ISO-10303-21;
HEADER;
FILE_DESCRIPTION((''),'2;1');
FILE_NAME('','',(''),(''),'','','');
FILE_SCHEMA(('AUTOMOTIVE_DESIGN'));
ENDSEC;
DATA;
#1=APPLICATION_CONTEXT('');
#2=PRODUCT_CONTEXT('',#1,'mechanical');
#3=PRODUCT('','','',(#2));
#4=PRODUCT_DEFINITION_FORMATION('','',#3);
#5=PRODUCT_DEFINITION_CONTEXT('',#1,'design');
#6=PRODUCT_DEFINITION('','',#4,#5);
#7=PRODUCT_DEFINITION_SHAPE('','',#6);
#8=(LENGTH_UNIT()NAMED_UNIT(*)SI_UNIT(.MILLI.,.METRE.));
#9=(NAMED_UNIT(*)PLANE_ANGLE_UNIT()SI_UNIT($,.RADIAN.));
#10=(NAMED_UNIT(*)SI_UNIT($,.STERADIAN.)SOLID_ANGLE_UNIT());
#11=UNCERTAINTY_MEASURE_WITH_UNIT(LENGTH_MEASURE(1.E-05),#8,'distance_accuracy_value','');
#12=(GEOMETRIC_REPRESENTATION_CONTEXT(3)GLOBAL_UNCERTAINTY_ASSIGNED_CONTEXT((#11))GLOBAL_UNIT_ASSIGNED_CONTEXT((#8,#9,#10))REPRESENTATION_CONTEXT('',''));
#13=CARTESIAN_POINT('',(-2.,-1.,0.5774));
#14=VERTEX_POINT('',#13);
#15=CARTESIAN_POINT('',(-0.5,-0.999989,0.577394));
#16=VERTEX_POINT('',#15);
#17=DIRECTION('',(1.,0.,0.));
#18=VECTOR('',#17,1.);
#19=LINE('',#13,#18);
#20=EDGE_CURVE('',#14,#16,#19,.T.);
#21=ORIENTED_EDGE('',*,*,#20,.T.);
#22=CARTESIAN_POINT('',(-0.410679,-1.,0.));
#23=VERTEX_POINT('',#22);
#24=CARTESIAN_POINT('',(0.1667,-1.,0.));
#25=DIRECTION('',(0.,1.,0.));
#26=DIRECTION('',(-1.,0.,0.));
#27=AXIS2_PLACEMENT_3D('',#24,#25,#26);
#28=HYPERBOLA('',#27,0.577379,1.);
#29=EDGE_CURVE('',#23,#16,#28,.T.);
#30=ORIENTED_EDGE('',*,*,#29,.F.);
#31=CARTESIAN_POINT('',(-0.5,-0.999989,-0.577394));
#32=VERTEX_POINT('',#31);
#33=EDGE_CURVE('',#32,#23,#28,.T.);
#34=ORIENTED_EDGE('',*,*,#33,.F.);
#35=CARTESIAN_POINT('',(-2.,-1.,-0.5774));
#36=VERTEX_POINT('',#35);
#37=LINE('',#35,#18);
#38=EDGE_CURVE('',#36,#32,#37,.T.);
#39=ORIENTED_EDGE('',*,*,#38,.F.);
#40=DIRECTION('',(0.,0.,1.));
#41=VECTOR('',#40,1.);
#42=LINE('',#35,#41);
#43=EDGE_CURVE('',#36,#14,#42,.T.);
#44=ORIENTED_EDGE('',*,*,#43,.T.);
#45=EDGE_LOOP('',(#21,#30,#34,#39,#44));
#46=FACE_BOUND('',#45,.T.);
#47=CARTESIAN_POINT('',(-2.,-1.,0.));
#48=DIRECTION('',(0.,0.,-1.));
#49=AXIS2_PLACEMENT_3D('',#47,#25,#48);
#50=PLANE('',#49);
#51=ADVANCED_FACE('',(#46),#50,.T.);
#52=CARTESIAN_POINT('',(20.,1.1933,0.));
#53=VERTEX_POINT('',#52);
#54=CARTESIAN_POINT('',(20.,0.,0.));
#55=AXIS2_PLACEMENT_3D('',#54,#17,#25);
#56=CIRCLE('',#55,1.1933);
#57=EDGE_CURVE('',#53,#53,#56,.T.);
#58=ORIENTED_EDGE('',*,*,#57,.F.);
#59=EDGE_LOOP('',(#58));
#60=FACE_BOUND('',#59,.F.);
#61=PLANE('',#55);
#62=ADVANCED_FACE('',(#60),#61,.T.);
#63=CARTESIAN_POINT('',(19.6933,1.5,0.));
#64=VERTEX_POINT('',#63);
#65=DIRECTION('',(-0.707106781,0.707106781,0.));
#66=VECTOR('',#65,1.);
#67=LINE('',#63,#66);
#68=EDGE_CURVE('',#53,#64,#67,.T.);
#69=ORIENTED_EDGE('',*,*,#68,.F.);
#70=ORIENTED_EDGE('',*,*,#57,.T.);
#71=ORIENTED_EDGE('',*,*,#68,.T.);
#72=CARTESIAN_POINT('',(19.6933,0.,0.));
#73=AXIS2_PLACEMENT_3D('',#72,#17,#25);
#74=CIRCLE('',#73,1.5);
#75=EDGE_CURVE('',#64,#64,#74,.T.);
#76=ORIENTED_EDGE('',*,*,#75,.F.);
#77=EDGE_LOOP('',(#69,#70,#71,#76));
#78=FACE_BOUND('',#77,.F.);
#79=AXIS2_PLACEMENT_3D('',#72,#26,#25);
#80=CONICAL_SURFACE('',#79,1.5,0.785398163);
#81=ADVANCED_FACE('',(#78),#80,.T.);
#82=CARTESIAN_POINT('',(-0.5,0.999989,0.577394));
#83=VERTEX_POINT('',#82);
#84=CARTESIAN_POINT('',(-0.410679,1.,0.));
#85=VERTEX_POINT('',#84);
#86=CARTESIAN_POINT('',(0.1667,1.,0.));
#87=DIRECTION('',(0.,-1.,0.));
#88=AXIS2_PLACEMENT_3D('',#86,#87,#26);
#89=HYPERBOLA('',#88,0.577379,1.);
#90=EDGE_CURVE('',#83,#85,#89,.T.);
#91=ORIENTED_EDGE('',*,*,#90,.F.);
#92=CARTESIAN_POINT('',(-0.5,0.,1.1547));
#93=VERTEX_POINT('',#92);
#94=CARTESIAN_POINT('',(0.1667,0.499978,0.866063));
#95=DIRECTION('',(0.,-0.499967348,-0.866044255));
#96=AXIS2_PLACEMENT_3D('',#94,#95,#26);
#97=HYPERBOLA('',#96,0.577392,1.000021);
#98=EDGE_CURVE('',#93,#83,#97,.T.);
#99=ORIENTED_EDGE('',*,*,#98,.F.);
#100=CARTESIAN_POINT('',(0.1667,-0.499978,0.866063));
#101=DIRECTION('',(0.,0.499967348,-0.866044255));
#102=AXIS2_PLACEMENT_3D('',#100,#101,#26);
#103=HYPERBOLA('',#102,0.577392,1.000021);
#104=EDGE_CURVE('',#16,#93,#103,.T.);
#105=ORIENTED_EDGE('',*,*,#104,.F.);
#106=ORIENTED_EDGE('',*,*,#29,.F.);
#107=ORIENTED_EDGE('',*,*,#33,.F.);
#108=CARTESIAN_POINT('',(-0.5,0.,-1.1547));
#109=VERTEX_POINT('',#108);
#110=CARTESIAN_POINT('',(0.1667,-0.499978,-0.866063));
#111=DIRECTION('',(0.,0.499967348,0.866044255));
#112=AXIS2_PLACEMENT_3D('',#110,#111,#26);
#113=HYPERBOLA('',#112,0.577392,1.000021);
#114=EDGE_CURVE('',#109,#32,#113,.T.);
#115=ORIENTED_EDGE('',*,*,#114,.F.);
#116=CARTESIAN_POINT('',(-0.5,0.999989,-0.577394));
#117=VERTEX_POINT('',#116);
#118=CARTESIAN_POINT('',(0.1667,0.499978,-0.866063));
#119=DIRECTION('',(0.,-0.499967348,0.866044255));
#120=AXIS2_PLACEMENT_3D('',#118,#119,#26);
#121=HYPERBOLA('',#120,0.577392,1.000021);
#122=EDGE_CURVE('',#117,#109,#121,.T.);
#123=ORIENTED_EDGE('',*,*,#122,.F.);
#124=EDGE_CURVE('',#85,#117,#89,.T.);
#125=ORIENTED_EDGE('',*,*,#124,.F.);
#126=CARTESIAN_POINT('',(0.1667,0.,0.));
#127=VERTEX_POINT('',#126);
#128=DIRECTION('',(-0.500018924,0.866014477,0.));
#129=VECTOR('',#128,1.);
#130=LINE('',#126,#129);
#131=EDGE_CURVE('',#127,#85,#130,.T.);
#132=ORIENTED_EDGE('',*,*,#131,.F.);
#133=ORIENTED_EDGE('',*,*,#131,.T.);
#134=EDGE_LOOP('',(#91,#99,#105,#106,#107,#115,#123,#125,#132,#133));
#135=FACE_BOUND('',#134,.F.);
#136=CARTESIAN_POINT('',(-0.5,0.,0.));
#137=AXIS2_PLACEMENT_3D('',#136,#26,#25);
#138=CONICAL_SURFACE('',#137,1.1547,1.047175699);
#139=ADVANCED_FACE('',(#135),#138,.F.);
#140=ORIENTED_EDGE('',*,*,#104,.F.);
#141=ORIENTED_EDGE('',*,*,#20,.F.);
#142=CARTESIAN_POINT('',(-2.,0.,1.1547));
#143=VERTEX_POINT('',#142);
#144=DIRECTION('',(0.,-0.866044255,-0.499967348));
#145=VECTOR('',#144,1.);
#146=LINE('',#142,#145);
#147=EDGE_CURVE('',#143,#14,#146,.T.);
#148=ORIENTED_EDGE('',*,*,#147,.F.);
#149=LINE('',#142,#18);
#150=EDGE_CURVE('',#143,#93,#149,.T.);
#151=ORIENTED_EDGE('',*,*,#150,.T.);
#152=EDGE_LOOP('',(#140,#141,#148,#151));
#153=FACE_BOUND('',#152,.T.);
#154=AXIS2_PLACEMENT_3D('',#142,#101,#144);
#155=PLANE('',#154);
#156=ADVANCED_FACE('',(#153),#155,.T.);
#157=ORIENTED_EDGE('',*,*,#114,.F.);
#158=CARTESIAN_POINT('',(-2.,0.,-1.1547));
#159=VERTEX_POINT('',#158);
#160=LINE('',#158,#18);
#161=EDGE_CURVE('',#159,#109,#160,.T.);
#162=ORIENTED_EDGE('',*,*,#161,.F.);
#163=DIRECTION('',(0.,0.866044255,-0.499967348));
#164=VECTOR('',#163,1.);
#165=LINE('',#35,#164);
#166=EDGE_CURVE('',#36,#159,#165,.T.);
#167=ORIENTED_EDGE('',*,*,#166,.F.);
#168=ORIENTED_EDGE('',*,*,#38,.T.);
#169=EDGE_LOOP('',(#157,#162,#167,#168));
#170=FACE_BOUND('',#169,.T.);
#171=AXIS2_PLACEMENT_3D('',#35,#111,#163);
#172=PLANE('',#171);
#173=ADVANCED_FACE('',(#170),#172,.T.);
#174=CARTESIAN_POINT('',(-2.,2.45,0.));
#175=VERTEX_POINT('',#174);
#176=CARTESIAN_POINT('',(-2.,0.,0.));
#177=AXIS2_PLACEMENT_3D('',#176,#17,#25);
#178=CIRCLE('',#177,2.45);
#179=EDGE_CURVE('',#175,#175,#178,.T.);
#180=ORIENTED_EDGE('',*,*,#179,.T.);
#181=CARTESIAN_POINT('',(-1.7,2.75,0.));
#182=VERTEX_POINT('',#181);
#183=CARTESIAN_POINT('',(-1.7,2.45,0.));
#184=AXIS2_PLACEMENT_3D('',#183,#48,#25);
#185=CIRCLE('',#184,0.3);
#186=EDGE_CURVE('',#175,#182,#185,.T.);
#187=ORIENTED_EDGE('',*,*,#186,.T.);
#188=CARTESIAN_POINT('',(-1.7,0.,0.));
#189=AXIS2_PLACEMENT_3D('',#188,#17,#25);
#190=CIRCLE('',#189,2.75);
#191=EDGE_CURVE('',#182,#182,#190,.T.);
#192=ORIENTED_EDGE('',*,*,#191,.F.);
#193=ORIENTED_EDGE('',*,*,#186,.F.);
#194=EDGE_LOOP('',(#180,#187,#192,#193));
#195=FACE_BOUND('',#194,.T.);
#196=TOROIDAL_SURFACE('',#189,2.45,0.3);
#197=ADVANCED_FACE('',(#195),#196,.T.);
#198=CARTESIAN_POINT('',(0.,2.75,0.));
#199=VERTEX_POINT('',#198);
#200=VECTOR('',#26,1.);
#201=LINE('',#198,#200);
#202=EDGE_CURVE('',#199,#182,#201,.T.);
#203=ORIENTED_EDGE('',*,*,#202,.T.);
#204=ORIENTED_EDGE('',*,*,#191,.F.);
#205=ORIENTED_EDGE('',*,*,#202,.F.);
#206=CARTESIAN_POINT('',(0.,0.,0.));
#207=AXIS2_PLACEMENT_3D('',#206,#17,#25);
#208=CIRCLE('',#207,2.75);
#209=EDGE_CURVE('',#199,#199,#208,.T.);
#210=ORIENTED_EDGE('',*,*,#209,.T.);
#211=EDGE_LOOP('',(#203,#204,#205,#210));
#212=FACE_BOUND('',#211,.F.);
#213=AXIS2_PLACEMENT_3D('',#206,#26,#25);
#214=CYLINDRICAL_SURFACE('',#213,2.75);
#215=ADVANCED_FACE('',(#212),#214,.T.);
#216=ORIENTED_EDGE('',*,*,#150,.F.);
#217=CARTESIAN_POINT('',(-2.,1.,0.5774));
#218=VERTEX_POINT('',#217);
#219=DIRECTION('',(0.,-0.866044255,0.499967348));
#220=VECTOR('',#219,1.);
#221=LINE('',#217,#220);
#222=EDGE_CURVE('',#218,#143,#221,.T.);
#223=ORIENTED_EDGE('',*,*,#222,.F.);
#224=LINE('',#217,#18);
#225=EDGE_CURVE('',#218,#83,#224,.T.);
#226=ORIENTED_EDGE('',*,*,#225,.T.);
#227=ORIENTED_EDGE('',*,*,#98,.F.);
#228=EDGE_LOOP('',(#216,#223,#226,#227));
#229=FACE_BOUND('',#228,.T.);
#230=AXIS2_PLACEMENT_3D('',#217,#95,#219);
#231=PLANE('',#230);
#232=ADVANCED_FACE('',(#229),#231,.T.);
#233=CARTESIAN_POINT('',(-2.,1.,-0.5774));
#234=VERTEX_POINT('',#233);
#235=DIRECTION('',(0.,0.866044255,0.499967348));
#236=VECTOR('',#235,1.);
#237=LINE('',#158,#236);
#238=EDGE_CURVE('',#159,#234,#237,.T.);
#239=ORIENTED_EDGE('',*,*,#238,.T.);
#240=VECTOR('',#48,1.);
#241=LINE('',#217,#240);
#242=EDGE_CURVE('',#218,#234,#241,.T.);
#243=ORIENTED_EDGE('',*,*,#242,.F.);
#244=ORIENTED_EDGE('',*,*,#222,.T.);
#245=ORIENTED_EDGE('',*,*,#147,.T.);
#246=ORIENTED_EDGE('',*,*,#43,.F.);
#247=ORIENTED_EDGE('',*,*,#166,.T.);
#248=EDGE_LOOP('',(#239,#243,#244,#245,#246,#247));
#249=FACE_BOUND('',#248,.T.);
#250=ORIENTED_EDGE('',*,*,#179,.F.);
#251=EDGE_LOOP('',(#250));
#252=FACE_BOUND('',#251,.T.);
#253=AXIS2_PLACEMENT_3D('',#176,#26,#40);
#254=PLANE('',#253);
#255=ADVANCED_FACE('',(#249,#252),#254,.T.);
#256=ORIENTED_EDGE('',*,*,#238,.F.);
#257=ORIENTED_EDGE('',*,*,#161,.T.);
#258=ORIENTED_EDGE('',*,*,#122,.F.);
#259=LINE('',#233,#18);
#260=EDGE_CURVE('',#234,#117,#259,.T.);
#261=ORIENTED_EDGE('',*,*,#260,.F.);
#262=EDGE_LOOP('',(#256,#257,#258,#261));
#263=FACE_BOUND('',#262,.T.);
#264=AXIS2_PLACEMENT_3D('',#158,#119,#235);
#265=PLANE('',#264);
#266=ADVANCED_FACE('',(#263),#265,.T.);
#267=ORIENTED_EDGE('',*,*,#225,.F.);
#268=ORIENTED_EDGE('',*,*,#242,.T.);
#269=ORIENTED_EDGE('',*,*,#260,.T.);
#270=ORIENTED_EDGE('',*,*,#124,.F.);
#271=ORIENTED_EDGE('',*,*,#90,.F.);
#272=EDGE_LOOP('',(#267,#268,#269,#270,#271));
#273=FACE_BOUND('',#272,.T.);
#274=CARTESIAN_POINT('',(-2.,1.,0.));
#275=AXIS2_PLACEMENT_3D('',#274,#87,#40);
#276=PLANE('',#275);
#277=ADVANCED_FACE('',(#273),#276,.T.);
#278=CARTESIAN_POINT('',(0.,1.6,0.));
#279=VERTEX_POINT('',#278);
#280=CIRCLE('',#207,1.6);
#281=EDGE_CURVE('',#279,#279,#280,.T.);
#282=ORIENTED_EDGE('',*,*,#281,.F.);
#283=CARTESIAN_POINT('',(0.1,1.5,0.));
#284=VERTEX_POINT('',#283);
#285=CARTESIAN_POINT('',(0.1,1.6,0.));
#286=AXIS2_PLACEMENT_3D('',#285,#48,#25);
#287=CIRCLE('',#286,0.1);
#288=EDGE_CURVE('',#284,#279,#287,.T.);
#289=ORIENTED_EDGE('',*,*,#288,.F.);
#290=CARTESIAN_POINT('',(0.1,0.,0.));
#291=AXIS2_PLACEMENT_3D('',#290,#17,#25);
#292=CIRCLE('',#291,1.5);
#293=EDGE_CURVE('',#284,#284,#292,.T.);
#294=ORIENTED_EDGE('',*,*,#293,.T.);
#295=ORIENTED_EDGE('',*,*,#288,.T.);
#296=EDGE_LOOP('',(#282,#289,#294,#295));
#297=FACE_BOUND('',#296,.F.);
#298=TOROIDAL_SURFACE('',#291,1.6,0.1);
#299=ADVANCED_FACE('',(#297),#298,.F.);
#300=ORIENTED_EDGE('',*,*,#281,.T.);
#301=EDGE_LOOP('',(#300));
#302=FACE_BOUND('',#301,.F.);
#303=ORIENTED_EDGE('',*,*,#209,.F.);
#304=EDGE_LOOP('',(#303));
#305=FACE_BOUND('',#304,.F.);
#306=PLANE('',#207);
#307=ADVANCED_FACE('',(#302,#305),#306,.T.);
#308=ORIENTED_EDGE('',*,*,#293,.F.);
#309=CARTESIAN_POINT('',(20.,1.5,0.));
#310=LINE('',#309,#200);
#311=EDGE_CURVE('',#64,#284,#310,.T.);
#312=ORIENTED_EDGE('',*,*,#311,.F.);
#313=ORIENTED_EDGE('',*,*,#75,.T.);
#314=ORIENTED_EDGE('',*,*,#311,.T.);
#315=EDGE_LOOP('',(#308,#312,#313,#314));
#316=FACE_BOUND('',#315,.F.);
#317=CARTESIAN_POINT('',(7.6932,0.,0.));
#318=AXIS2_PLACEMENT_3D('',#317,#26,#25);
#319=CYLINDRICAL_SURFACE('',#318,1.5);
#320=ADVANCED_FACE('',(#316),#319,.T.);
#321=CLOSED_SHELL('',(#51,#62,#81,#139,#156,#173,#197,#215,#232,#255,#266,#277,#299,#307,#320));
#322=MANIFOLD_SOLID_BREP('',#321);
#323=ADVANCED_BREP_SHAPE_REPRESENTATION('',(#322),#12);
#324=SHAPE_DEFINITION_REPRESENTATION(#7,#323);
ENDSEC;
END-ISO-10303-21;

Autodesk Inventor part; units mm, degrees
ref_plane "YZ Plane" through (0, 0, 0) normal (1, 0, 0) x (0, 1, 0)
ref_plane "XZ Plane" through (0, 0, 0) normal (0, 1, 0) x (-1, 0, 0)
sketch "Sketch1" plane through (0, 0, 0) normal (0, 0, 1) x (1, 0, 0)
  line L0 (0.1667, 0) -> (20, 0)
  line L1 (20, 0) -> (20, 1.5)
  line L2 (20, 1.5) -> (8, 1.5)
  line L3 (8, 1.5) -> (7.6932, 1.5)
  line L4 (7.6932, 1.5) -> (0, 1.5)
  line L5 (0, 1.5) -> (0, 2.75)
  line L6 (0, 2.75) -> (-2, 2.75)
  line L7 (-2, 2.75) -> (-2, 1.1547)
  line L8 (-2, 1.1547) -> (-0.5, 1.1547)
  line L9 (-0.5, 1.1547) -> (0.1667, 0)
  line L10 (-6.4, 0) -> (24.4, 0) projected
  line L11 (0, -0.55) -> (0, 3.3) projected
  line L12 (8, 1.5) -> (0, 1.5) construction
  dimension "d1" = 12
  dimension "d2" = 0.3068
  dimension "d3" = 2
  dimension "d4" = 1.5
  dimension "d5" = 60
  dimension "d6" = 3
  dimension "d7" = 3
  dimension "d8" = 2.3094
  dimension "d9" = 5.5
  dimension "d26" = 20
revolve "Body" add sketch "Sketch1" angle 360 about axis through (0.1667, 0, 0) along (1, 0, 0) contours L9 L11 L4 L3 L2 L1 L0 | L9 L8 L7 L6 L5 L11
sketch "Sketch2" plane through (-2, 0, 0) normal (-1, 0, 0) x (0, 0, 1)
  circle A0 centre (0, 0) radius 1.1547 projected
  line L0 (0, -3.85) -> (0, 3.85) projected
  line L1 (-3.85, 0) -> (3.85, 0) projected
  line L2 (1.1547, 0) -> (0.5774, -1)
  line L3 (0.5774, -1) -> (-0.5774, -1)
  line L4 (-0.5774, -1) -> (-1.1547, 0)
  line L5 (-1.1547, 0) -> (-0.5774, 1)
  line L6 (-0.5774, 1) -> (0.5774, 1)
  line L7 (0.5774, 1) -> (1.1547, 0)
  point P0 (0, 0)
extrude "Slot" add sketch "Sketch2" against normal up to next contours L7 A0 | A0 L2 | L6 L0 A0 | A0 L0 L3 | L0 L6 A0 | A0 L3 L0 | L4 A0 | A0 L5
fillet "Fillet1" radius 0.3 1 edges at (-2, -2.75, 0)
thread "Thread" size "M3x0.5" class "6g" standard "ISO Metric profile" length 12
chamfer "Chamfer1" distance 0.3067 distance2 0.3067 1 edges at (20, -1.5, 0) measured on face at (20, -0.7567, -0.3972)
ref_plane "Work Plane1" through (29, 0, 0) normal (0, -1, 0) x (1, 0, 0)
fillet "Fillet2" radius 0.1 1 edges at (0, -1.5, 0)
equation "\"d1\" = GEL"
equation "\"d3\" = KOH"
equation "\"d4\" = INTI"
equation "\"d6\" = GD"
equation "\"d7\" = BDM"
equation "\"d8\" = 1.1547 * SW"
equation "\"d9\" = KOD"
equation "\"d26\" = NLG"
equation "\"d30\" = R"
equation "\"d17\" = RR"
equation "\"d13\" = GEL"
equation "\"d15\" = -0.5 * SPD + 0.5 * GD"
equation "\"d16\" = GUL"
equation "\"GD\" = NND"
equation "\"NLG\" = 20"
equation "\"GEL\" = 12"
equation "\"KOD\" = 5.5"
equation "\"KOH\" = 2"
equation "\"INTI\" = 1.5"
equation "\"GAL\" = 0.61345 * PTC"
equation "\"GUL\" = 0.61345 * PTC"
equation "\"BDM\" = NND"
equation "\"SW\" = 2"
equation "\"RR\" = 0.3"
equation "\"SPD\" = NND - 1.2269 * PTC"
equation "\"R\" = 0.1"
equation "\"TOA\" = 30deg"
equation "\"GD1\" = THREADDIA - 1.2269 * PTC"
equation "\"THREADDIA\" = 3"
equation "\"FAWI\" = 45deg"
equation "\"ANG\" = 120deg"
equation "\"PTC\" = 0.5"
equation "\"NND\" = 3"
equation "\"E0\" = 1.155 * SW"
properties part number "DIN 7984 - M3 x 20" material "Steel, Mild"
